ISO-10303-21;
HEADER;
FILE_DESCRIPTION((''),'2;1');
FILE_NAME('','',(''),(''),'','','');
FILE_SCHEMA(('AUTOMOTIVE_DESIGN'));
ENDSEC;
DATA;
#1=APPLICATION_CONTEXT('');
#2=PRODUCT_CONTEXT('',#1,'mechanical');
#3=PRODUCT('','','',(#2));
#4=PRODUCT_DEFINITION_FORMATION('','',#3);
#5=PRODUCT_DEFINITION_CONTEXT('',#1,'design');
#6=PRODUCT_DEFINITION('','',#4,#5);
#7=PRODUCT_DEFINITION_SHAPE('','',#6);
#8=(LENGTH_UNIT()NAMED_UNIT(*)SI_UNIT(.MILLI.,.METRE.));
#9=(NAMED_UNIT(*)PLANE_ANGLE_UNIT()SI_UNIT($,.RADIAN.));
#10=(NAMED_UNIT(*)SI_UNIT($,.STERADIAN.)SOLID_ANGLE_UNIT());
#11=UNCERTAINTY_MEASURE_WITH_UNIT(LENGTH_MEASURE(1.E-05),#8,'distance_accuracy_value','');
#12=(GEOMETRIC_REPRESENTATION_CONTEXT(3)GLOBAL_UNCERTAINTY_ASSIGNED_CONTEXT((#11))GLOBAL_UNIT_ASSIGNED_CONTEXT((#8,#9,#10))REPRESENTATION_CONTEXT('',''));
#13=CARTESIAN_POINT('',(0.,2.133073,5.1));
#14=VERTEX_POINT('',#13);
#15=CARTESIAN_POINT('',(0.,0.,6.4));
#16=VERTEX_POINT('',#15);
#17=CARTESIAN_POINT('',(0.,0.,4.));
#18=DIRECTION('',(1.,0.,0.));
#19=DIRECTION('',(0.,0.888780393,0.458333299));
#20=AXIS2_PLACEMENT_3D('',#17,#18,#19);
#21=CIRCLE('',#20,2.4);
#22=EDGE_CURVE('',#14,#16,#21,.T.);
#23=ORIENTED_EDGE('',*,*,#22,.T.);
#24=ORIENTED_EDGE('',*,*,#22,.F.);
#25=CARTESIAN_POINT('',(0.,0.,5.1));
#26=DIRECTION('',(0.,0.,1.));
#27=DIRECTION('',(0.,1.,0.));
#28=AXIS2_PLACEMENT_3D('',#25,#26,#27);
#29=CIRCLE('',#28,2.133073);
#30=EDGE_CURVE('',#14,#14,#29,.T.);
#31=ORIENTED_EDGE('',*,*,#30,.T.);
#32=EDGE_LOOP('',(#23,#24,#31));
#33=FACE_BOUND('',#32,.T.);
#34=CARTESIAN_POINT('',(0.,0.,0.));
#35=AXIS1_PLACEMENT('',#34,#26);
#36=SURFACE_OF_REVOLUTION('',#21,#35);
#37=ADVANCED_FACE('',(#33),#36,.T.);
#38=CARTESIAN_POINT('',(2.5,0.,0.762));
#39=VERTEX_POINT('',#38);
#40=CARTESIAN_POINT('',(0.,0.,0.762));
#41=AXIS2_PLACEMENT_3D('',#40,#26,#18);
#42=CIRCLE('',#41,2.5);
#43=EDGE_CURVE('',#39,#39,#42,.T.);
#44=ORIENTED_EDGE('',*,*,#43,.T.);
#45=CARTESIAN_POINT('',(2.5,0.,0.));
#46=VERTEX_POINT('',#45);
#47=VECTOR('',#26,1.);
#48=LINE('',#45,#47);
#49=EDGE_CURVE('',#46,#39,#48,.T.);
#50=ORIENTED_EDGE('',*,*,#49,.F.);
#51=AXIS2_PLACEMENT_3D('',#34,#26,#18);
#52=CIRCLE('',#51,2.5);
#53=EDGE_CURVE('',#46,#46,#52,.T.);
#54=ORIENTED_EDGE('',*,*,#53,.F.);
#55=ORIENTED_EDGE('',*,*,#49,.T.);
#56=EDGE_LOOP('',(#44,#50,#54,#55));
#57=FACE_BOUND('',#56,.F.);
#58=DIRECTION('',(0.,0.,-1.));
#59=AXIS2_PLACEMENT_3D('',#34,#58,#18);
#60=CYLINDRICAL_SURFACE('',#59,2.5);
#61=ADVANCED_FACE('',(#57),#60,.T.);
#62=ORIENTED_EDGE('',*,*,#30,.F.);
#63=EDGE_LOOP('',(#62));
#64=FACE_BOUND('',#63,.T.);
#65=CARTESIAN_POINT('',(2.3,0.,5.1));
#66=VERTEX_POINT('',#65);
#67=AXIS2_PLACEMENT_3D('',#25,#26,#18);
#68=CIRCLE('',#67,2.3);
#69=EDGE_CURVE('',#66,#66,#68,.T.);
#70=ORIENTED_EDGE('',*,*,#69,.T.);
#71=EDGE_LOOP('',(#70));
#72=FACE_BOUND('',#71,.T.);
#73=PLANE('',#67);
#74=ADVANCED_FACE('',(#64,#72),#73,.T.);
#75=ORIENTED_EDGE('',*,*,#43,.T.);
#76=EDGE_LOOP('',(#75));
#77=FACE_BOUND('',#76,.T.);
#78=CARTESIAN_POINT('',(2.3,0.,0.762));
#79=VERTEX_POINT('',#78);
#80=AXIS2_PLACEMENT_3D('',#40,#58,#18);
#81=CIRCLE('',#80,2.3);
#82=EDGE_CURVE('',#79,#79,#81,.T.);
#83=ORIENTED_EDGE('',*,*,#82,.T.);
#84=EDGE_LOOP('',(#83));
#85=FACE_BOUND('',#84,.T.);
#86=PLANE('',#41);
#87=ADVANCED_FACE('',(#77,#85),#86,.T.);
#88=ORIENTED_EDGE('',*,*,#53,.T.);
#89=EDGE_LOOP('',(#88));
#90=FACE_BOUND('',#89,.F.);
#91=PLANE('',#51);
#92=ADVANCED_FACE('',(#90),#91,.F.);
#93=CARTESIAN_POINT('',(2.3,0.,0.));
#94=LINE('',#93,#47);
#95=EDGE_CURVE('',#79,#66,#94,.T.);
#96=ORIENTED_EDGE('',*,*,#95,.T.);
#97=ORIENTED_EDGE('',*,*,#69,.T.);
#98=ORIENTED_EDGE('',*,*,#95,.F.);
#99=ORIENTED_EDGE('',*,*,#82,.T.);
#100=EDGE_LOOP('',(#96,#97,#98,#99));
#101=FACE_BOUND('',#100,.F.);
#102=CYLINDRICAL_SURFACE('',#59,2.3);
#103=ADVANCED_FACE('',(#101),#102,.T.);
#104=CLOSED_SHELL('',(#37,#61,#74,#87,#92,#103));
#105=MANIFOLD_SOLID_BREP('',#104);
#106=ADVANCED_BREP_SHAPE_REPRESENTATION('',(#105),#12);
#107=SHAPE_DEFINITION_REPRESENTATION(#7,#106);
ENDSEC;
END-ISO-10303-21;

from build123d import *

# Parameters (mm, degrees)
SKETCH_R     = 2.5
PAD_DEPTH    = 0.762
SKETCH002_R  = 2.3
PAD001_DEPTH = 5.1


with BuildPart() as part:
    # Sketch → Pad (new body)
    with BuildSketch(Plane.XY):
        Circle(SKETCH_R)
    extrude(amount=PAD_DEPTH)

    # Sketch002 → Pad001 (join)
    with BuildSketch(Plane.XY):
        Circle(SKETCH002_R)
    extrude(amount=PAD001_DEPTH)

    # Sketch003 → Revolution (revolve)
    with BuildSketch(Plane.YZ):
        with BuildLine():
            Line((0, 5.1), (0, 6.4))
            ThreePointArc((2.133073, 5.1), (1.249, 6.04939), (0, 6.4))
            Line((0, 5.1), (2.133073, 5.1))
        make_face()
    revolve(axis=Axis((0, 0, 0), (0, 0, 1)))


solid = part.part
